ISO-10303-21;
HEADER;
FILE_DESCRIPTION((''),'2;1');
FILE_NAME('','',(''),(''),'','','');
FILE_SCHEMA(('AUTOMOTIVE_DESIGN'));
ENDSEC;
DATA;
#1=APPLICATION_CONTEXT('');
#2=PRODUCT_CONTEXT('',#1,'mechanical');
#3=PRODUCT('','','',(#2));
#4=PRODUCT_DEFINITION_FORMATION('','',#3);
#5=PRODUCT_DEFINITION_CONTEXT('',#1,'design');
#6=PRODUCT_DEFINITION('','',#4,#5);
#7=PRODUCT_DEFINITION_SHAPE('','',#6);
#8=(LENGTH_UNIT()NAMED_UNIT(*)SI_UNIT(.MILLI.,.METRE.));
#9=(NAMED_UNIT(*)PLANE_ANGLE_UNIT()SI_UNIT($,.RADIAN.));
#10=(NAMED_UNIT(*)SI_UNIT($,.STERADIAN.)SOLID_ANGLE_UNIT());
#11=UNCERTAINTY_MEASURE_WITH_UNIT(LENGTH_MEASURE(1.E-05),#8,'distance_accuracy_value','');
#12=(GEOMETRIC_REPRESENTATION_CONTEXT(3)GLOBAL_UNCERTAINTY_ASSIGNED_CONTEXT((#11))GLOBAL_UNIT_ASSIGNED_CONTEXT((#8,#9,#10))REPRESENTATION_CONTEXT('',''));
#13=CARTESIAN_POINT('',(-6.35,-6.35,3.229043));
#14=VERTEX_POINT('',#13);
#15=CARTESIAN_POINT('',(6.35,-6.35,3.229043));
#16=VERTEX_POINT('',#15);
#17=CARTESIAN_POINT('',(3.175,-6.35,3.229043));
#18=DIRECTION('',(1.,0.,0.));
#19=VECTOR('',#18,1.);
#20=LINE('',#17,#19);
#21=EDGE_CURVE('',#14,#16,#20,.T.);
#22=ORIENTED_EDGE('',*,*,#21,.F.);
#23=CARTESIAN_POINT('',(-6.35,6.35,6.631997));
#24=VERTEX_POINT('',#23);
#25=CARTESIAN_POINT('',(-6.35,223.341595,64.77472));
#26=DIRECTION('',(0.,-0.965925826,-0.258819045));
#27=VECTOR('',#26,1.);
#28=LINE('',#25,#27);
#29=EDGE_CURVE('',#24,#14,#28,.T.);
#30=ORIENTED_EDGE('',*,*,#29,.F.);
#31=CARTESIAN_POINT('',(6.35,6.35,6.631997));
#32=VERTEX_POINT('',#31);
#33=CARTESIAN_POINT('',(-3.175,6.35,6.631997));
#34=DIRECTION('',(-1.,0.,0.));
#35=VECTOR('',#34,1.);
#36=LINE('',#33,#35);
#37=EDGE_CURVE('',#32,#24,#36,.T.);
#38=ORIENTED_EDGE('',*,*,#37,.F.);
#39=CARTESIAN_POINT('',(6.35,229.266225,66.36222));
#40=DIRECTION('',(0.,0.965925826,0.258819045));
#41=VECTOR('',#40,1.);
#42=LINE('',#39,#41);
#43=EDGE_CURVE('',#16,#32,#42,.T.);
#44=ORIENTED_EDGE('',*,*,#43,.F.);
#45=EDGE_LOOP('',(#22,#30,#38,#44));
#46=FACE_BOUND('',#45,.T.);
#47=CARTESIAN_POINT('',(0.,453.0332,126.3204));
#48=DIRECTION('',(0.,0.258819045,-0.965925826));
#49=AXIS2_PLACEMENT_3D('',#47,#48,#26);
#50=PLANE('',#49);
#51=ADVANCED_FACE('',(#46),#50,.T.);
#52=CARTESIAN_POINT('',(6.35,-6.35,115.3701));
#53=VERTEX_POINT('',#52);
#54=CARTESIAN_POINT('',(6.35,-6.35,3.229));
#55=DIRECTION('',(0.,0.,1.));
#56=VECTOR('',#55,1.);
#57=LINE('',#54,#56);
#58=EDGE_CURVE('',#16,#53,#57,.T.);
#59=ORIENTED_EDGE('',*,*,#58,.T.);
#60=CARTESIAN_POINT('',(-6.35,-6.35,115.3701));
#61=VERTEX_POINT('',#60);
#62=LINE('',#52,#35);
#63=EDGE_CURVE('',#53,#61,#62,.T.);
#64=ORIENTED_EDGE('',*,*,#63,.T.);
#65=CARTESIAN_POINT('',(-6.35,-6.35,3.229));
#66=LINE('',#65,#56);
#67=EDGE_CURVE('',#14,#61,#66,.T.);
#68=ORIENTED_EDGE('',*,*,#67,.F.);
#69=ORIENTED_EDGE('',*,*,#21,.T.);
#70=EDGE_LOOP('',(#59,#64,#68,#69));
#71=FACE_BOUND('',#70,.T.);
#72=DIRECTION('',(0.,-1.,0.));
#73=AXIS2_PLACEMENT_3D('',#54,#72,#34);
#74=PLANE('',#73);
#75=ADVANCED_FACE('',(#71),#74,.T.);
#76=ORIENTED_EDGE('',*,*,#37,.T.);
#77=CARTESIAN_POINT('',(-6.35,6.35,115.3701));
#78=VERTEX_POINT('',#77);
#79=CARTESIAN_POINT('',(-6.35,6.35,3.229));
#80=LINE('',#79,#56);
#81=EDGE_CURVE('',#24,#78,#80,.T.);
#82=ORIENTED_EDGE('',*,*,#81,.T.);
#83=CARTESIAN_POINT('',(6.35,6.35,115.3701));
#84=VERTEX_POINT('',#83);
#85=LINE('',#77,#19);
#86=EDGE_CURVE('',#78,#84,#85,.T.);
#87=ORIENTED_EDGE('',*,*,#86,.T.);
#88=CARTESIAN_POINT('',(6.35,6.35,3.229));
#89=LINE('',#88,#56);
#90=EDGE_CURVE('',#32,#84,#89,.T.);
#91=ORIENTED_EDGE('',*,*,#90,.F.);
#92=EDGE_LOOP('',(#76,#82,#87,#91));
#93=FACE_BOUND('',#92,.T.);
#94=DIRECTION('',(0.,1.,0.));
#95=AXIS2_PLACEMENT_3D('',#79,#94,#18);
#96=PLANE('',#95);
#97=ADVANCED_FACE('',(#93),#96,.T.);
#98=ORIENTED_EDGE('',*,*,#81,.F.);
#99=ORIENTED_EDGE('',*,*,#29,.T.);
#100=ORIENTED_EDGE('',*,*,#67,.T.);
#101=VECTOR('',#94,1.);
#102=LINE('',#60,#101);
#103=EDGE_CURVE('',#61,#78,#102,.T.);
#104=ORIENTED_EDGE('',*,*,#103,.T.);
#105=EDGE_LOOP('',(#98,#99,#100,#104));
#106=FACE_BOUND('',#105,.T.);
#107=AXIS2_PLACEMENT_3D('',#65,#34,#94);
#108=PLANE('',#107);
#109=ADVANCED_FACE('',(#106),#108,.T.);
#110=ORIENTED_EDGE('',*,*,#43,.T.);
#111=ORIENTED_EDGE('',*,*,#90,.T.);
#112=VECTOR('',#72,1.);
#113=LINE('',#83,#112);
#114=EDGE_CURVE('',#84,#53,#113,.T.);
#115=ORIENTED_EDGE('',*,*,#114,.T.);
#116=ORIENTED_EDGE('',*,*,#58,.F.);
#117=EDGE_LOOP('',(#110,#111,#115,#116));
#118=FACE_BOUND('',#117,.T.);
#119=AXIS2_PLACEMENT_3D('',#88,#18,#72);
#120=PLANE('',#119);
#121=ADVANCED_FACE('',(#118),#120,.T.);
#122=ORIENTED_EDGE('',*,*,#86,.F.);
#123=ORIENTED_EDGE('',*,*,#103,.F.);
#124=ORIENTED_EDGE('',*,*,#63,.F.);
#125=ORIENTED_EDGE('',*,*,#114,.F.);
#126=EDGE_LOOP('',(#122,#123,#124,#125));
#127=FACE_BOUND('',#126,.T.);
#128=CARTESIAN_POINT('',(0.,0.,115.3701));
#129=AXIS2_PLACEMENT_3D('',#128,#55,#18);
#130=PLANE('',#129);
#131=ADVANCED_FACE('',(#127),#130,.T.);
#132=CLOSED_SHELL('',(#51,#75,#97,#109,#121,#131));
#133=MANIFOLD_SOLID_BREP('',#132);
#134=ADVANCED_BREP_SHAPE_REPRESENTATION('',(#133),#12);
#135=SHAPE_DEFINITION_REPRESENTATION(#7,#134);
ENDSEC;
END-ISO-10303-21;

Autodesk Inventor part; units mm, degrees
ref_plane "Start plane" through (0, 0, 3.229) normal (0, 0, 1) x (1, 0, 0)
ref_plane "End plane" through (0, 0, 115.3702) normal (0, 0, 1) x (1, 0, 0)
sketch "Sketch" plane through (0, 0, 0) normal (0, 0, 1) x (1, 0, 0)
  line L0 (6.35, -6.35) -> (-6.35, -6.35)
  line L1 (-6.35, -6.35) -> (-6.35, 6.35)
  line L2 (-6.35, 6.35) -> (6.35, 6.35)
  line L3 (6.35, 6.35) -> (6.35, -6.35)
  line L4 (-6, 0) -> (8, 0) construction
  line L5 (0, -30) -> (0, 40) construction
  line L6 (0, 54) -> (0, -44) construction
  line L7 (-9.62, 0) -> (13.27, 0) construction
  dimension "d0" = 12.7
  dimension "d1" = 12.7
  dimension "d4" = 6.35
  dimension "d5" = 6.35
extrude "Body" add sketch "Sketch" along normal up to surface (112.1411 mm away) from surface at 3.229
sketch "Sketch3" plane through (0, 0, 0) normal (0, 0, 1) x (1, 0, 0)
  line L0 (0, 0) -> (10, 0)
ref_plane "Work Plane3" through (0, 0, 0) normal (0, -1, 0) x (1, 0, 0)
sketch "Sketch4" plane through (0, 0, 0) normal (0, -1, 0) x (1, 0, 0)
  line L0 (-2, 3.229) -> (12, 3.229)
  line L1 (-2, 115.3702) -> (12, 115.3702)
  dimension "d9" = 112.1411
ref_plane "Work Plane5" through (0, -6.35, 115.3702) normal (0, 0, 1) x (1, 0, 0)
split "Split2" plane through (0, -6.35, 115.3702) removes the side toward (0, 0, 1)
ref_plane "Work Plane6" through (0, 453.0332, 126.3204) normal (0, 0.2588, -0.9659) x (1, 0, 0)
split "Split3" plane through (0, 453.0332, 126.3204) removes the side toward (0, 0.2588, -0.9659)
equation "\"d0\" = G_W"
equation "\"d1\" = G_H"
equation "\"d4\" = 0.5 * d1"
equation "\"d5\" = 0.5 * d0"
equation "\"d2\" = G_L"
equation "\"G_W\" = 12.7"
equation "\"G_H\" = 12.7"
equation "\"G_L\" = d9"
equation "\"G_OFFSET_START\" = -3.22903"
equation "\"G_OFFSET_END\" = -6.35"
equation "\"d6\" = -G_OFFSET_START"
equation "\"d7\" = G_OFFSET_END + B_L"
equation "\"B_L\" = 121.72015"
properties part number "AISC - 1/2x1/2 - 4.415" material "Steel, Alloy"
